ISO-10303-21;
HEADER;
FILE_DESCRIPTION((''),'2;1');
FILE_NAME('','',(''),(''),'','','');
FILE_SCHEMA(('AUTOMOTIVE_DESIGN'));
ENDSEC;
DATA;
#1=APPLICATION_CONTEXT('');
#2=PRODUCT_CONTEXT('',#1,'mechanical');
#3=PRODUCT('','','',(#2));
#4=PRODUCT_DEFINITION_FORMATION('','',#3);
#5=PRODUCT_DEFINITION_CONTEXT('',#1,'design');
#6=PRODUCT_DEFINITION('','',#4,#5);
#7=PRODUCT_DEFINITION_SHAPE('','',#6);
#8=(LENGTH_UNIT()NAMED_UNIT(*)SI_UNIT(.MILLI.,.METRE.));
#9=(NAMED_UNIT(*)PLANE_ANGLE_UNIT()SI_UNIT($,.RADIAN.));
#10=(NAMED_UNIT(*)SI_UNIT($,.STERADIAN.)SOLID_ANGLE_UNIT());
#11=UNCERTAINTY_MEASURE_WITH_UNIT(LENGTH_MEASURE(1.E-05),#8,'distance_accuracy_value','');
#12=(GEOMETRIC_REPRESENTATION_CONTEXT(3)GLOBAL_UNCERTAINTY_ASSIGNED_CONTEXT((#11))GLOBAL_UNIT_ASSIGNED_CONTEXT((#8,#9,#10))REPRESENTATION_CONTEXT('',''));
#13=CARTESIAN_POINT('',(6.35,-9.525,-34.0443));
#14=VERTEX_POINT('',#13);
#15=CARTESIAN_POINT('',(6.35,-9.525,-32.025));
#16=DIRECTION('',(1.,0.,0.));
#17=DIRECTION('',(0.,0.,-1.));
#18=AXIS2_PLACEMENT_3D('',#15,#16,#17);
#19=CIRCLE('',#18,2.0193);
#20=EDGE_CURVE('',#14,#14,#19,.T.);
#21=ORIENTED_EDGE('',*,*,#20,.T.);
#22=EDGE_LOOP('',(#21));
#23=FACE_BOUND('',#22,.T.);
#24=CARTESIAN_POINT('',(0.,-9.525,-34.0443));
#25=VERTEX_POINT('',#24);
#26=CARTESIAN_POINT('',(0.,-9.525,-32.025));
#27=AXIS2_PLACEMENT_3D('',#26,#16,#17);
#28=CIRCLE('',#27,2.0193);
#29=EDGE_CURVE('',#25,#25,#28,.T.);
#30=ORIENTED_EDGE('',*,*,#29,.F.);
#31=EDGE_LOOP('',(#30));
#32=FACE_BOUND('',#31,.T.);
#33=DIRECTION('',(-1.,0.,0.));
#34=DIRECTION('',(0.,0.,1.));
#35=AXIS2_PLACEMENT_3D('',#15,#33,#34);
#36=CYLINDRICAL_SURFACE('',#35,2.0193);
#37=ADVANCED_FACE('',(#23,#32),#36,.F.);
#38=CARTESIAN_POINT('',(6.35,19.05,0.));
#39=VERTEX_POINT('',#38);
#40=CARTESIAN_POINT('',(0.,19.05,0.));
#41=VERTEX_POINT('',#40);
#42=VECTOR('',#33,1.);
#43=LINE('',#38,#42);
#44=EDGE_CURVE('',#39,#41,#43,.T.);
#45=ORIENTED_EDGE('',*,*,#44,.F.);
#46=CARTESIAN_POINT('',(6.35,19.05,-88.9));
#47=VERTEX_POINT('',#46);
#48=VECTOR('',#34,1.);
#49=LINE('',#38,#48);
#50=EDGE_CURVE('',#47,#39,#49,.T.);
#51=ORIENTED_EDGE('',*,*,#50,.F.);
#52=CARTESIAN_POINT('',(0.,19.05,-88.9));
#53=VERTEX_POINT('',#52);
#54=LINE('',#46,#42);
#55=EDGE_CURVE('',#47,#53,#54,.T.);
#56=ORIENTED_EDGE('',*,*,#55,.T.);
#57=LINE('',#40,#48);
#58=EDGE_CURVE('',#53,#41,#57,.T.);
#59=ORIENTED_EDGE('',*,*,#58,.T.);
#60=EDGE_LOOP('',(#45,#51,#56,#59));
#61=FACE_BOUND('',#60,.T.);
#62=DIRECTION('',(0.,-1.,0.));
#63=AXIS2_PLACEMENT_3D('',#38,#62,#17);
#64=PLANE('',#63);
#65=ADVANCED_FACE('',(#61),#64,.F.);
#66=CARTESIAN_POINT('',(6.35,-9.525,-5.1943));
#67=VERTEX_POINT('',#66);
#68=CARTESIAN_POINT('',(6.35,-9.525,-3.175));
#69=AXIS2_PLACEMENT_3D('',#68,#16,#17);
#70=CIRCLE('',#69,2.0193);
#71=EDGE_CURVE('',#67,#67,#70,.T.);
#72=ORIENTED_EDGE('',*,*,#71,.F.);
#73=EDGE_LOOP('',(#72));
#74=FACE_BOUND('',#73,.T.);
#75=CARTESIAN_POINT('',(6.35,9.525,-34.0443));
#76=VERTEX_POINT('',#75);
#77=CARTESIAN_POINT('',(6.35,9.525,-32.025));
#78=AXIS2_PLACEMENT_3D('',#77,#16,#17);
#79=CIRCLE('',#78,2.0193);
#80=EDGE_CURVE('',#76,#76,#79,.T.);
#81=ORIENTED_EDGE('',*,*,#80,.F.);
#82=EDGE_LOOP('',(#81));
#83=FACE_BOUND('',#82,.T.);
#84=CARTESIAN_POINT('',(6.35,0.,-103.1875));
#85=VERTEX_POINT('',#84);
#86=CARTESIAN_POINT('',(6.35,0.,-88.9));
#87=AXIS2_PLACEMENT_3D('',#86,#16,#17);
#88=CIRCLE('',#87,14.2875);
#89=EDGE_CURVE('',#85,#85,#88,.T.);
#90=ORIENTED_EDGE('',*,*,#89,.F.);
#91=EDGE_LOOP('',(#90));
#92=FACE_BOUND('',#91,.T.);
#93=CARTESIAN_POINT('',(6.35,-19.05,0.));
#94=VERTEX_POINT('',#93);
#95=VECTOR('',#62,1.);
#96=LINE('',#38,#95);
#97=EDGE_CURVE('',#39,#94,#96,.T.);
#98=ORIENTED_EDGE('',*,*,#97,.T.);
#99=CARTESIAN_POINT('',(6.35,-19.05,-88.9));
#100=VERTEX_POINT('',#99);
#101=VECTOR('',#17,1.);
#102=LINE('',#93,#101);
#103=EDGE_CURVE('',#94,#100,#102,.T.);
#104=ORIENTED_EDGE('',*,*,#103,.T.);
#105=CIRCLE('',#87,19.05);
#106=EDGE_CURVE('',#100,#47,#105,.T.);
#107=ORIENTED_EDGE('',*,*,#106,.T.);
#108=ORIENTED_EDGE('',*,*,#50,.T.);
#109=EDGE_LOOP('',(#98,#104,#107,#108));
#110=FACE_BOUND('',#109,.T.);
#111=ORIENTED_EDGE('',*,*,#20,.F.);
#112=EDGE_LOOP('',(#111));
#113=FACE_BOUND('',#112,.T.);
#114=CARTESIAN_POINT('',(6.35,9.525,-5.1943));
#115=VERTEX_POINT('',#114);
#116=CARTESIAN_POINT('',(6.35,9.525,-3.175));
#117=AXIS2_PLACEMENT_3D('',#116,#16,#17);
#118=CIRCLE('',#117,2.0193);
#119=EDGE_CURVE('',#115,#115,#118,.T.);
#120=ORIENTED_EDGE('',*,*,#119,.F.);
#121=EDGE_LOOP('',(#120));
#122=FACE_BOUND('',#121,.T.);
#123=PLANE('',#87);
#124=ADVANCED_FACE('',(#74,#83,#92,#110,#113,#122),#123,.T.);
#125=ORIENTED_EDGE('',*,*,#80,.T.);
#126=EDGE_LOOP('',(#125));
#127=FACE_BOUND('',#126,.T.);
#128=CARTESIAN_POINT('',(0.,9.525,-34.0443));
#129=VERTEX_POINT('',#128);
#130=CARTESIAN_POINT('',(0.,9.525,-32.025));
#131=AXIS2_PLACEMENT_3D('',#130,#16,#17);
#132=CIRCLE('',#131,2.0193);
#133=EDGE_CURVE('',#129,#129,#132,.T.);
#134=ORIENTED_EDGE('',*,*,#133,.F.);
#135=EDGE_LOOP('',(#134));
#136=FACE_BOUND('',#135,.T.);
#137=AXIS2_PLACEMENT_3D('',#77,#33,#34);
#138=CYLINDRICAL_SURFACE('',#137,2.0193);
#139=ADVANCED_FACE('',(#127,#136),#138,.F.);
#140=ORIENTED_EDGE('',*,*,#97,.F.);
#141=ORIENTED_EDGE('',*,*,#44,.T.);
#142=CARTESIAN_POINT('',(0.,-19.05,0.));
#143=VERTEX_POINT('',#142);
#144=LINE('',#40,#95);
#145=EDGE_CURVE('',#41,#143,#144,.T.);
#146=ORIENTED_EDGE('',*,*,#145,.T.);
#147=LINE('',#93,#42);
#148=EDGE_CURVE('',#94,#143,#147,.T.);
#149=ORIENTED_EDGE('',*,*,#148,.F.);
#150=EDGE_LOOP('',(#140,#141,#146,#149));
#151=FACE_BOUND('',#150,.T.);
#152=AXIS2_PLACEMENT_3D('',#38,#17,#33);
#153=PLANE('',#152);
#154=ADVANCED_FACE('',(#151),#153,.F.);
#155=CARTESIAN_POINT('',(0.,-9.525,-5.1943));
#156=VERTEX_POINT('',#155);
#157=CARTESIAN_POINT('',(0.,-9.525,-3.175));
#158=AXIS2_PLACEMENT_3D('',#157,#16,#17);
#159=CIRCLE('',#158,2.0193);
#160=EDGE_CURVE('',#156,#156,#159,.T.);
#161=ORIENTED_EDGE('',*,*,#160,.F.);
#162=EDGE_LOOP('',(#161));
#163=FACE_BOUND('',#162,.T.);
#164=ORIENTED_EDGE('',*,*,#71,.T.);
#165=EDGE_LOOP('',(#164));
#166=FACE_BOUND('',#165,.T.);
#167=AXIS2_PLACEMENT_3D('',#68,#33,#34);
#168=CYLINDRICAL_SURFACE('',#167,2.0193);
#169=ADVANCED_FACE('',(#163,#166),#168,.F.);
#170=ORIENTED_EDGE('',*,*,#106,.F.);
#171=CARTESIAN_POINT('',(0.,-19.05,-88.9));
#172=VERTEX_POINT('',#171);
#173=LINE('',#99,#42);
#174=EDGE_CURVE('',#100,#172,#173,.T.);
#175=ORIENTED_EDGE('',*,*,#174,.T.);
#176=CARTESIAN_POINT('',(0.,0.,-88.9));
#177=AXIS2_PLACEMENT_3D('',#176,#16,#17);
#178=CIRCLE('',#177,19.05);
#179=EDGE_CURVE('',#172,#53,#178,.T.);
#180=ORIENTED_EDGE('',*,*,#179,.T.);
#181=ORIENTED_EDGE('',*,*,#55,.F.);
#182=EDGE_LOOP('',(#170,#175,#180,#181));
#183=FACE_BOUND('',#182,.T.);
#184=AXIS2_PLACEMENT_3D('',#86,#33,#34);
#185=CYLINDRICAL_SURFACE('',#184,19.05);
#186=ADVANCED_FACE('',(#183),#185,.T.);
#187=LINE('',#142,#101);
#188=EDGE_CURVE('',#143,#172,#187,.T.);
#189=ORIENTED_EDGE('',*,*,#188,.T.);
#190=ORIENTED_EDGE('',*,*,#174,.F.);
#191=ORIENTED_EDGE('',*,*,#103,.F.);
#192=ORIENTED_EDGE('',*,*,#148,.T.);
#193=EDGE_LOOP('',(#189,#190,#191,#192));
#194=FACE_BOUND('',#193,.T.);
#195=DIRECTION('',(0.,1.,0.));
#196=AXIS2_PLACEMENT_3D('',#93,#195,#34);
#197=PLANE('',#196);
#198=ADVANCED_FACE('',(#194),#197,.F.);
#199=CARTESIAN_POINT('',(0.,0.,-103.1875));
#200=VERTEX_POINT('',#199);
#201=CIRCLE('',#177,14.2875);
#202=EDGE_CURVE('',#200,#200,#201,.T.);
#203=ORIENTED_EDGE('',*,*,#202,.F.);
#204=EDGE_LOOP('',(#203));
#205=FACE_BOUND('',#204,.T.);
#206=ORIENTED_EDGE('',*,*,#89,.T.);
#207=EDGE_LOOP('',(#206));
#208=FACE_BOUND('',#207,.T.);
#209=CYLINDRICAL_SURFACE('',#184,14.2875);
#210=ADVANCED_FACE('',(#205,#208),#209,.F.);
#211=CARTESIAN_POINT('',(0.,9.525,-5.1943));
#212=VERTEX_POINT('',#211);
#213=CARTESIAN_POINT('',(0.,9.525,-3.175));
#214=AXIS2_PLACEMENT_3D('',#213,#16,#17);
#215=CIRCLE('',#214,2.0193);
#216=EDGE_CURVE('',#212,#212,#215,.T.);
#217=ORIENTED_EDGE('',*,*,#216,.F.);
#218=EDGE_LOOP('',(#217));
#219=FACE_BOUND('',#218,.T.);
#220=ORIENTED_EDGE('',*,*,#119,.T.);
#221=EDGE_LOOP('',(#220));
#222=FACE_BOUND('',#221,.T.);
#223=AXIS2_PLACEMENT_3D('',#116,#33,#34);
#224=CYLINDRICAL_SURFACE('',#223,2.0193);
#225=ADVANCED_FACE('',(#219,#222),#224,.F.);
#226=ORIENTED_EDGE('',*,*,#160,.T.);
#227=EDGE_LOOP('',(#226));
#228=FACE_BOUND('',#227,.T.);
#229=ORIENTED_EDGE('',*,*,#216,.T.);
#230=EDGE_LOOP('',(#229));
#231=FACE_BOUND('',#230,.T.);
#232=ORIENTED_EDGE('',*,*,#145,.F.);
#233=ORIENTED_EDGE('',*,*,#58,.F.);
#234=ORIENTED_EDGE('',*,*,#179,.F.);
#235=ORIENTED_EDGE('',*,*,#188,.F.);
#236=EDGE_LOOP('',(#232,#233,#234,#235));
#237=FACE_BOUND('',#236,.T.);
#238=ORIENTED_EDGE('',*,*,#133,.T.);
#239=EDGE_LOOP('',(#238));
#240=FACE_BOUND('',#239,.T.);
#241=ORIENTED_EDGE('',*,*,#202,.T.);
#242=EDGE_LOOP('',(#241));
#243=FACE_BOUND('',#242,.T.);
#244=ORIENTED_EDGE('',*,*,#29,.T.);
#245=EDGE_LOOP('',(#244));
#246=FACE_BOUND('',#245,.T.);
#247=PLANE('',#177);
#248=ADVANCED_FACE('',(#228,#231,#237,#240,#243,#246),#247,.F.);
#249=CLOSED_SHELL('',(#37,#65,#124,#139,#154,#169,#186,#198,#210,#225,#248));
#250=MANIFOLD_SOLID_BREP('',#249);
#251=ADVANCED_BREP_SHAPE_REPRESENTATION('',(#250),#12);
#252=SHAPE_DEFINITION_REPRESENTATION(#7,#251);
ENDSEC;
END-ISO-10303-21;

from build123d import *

# Parameters (mm, degrees)
SKETCH2_R           = 14.2875
SKETCH2_R_2         = 2.0193
BOSS_EXTRUDE1_DEPTH = 6.35


with BuildPart() as part:
    # Sketch2 → Boss-Extrude1 (new body)
    with BuildSketch(Plane(origin=(0, 0, 0), x_dir=(0, 0, -1), z_dir=(1, 0, 0))):
        with BuildLine():
            Line((0, 19.05), (0, -19.05))
            Line((0, -19.05), (88.9, -19.05))
            ThreePointArc((88.9, -19.05), (107.95, 0), (88.9, 19.05))
            Line((88.9, 19.05), (0, 19.05))
        make_face()
        with Locations((88.9, 0)):
            Circle(SKETCH2_R, mode=Mode.SUBTRACT)
        with Locations((3.175, -9.525)):
            Circle(SKETCH2_R_2, mode=Mode.SUBTRACT)
        with Locations((3.175, 9.525)):
            Circle(SKETCH2_R_2, mode=Mode.SUBTRACT)
        with Locations((32.025, -9.525)):
            Circle(SKETCH2_R_2, mode=Mode.SUBTRACT)
        with Locations((32.025, 9.525)):
            Circle(SKETCH2_R_2, mode=Mode.SUBTRACT)
    extrude(amount=BOSS_EXTRUDE1_DEPTH)


solid = part.part
